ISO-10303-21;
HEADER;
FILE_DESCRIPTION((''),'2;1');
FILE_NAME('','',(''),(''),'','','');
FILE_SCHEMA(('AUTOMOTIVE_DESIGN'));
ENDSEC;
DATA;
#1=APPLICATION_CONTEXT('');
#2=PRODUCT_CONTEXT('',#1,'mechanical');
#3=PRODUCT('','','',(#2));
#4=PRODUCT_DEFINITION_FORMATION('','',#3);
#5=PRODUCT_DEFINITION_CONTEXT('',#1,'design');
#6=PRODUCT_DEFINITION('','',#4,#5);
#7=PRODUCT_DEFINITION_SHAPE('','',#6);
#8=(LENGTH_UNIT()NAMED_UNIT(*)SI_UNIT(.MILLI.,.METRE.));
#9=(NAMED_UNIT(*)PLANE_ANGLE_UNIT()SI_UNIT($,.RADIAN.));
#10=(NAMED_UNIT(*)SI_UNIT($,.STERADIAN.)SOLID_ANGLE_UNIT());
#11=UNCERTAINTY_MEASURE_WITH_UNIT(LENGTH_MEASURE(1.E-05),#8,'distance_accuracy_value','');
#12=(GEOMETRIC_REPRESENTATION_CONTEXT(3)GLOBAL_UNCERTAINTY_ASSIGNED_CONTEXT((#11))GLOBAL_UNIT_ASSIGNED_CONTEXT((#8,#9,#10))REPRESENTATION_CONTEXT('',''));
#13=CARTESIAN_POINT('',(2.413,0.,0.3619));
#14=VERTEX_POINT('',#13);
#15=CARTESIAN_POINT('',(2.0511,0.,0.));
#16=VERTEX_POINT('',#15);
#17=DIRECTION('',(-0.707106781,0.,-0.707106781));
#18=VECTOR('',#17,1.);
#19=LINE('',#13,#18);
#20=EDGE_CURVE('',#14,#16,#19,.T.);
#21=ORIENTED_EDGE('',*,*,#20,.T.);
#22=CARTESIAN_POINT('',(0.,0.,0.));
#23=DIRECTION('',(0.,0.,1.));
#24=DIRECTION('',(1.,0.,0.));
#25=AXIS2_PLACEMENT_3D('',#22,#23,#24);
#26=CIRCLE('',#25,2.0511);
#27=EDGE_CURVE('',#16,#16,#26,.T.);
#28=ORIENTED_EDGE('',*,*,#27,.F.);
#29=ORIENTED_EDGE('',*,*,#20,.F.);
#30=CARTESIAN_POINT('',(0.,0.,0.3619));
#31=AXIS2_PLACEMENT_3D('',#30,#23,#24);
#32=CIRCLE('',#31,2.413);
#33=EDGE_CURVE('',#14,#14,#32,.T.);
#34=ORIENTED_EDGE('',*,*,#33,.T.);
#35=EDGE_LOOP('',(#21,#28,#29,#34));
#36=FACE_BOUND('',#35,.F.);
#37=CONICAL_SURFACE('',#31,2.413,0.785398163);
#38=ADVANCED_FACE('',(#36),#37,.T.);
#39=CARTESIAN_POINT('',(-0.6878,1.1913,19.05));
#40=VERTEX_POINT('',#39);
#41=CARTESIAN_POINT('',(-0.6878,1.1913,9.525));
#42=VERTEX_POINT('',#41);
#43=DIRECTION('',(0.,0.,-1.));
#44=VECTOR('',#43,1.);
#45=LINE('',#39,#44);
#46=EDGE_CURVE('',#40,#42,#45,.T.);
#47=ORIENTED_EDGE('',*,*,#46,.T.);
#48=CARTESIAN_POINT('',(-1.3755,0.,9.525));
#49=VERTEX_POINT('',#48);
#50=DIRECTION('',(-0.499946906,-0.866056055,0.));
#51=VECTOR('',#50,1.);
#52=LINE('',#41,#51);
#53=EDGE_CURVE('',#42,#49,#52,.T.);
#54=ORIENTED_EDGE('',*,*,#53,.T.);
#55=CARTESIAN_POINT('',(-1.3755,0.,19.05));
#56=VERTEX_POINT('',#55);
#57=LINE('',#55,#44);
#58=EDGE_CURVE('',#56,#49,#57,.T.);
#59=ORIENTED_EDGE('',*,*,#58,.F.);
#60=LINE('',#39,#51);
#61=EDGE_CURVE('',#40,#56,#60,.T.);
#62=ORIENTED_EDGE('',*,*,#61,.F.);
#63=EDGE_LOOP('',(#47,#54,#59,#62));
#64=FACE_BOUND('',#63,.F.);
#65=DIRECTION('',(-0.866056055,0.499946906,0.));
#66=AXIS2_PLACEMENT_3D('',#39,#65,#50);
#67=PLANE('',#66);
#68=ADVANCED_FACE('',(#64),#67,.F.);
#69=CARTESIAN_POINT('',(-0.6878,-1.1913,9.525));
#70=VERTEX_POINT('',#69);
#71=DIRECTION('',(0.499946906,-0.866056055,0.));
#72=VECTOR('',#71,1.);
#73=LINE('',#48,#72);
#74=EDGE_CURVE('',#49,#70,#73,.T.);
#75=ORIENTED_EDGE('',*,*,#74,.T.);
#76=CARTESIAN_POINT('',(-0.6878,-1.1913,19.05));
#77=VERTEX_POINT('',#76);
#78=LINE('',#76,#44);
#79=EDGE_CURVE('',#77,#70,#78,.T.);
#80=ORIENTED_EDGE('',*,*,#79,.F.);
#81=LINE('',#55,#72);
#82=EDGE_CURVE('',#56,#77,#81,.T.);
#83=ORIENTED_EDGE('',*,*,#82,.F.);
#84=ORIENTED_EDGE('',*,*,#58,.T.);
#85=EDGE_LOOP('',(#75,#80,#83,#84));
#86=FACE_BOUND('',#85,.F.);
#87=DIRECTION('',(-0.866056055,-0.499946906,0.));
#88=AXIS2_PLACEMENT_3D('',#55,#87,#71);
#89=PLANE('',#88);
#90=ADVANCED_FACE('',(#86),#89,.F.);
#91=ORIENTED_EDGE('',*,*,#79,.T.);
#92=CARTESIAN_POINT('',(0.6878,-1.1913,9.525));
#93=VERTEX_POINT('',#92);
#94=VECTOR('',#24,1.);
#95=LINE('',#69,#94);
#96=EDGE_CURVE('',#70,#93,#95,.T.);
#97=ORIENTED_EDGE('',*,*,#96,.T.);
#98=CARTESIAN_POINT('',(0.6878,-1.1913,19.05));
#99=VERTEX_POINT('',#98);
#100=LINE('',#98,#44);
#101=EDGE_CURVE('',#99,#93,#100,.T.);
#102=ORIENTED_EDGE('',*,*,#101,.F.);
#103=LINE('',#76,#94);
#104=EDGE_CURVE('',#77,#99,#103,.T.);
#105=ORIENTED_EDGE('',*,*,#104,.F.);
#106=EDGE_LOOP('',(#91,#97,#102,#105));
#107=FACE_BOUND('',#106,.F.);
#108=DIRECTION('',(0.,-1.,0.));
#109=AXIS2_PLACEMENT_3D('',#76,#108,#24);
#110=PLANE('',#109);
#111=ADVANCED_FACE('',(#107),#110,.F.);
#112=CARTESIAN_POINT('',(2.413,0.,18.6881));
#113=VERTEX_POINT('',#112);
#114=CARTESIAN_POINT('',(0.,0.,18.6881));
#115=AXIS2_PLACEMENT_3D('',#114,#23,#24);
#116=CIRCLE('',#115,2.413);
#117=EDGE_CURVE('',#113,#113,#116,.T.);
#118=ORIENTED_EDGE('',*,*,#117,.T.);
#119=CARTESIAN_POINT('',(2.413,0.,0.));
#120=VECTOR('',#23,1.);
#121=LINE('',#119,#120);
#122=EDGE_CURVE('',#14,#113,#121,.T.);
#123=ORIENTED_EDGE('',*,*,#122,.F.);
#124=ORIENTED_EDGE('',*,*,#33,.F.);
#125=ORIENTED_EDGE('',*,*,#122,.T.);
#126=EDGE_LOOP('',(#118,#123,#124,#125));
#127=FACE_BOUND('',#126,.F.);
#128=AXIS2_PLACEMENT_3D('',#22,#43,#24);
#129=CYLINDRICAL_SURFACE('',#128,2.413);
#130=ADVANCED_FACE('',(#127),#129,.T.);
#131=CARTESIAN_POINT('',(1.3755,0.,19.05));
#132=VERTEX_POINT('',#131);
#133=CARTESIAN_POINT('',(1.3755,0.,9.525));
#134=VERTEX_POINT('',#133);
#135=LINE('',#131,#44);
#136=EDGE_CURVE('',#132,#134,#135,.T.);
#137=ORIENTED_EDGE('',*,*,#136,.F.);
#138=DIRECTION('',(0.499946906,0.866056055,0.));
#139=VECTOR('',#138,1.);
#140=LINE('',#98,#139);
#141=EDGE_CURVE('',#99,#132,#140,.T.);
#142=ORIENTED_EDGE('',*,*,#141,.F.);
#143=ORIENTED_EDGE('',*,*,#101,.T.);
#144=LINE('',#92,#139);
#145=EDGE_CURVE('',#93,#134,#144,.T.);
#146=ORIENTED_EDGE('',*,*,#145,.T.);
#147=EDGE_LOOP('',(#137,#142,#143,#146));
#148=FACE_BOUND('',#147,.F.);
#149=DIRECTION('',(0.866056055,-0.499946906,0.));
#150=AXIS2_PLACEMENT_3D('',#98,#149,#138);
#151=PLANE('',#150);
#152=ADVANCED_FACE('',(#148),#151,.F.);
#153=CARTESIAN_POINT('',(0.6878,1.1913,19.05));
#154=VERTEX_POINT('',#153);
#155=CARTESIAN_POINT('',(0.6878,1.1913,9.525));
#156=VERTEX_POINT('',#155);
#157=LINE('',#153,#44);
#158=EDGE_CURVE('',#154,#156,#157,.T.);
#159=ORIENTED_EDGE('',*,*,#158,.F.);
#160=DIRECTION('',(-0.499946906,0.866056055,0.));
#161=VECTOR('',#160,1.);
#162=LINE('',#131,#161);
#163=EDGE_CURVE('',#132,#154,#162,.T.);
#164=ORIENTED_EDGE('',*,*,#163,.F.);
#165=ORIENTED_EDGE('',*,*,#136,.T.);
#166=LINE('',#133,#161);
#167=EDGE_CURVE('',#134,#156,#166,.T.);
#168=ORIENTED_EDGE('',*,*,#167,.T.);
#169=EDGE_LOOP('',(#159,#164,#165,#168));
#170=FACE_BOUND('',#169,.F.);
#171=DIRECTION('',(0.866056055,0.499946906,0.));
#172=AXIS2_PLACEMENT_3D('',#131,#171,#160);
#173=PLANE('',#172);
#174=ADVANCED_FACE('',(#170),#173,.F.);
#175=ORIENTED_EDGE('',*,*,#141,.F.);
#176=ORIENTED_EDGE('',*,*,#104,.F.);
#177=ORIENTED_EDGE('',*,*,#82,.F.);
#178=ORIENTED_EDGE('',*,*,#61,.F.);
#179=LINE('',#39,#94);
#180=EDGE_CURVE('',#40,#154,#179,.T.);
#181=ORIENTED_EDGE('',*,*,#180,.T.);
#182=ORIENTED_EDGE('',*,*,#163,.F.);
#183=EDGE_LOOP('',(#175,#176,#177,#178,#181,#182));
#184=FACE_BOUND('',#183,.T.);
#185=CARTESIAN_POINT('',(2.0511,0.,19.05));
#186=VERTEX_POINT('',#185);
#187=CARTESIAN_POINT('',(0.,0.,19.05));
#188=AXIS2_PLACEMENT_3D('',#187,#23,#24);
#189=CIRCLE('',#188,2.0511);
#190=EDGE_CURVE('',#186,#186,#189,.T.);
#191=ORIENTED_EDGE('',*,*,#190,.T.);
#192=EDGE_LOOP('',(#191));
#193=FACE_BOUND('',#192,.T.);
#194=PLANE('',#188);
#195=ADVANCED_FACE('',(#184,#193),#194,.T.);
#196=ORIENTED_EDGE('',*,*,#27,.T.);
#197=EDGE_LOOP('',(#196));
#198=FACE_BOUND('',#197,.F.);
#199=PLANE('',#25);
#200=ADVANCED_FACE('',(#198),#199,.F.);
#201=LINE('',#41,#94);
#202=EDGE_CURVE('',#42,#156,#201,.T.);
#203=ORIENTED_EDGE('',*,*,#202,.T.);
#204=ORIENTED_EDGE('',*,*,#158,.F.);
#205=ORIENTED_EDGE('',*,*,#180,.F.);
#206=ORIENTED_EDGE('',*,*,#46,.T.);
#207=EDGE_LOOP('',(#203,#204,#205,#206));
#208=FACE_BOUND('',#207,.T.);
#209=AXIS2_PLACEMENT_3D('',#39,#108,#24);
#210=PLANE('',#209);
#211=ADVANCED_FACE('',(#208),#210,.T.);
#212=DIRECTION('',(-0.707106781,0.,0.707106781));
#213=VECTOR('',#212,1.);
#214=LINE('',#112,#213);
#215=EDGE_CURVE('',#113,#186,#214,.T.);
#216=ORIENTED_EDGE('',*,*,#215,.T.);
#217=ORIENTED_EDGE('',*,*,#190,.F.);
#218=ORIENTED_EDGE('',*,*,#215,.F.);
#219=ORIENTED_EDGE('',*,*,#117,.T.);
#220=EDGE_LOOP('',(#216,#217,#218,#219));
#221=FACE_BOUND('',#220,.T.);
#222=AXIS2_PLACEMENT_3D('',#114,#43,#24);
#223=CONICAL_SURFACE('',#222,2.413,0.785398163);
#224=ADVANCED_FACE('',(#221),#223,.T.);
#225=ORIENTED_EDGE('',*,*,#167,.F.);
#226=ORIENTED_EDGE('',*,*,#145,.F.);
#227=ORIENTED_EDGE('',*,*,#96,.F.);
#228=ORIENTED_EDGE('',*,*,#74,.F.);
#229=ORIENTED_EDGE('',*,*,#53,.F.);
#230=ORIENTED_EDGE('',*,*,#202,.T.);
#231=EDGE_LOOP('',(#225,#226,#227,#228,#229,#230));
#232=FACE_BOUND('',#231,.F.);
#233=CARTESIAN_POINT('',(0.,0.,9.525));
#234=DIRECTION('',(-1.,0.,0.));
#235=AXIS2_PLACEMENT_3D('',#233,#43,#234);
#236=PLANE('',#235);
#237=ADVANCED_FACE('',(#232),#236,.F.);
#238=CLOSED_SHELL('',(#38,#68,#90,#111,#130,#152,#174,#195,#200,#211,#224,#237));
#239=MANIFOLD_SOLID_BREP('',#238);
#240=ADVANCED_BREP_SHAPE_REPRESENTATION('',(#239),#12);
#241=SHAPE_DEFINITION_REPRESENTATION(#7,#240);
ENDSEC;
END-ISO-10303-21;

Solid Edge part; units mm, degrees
sketch "Sketch1" plane through (0, 0, 0) normal (0, 0, 1) x (1, 0, 0)
  circle A0 centre (0, 0) radius 2.413
  dimension "D1" = 4.826
extrude "Protrusion1" add sketch "Sketch1" along normal blind 19.05
chamfer "Chamfer1" distance 0.3619 angle 45 2 edges at (-2.413, 0, 0) (-2.413, 0, 19.05)
sketch "Sketch2" plane through (0, 0, 19.05) normal (0, 0, 1) x (1, 0, 0)
  line L0 (-0.6878, 1.1913) -> (0.6878, 1.1913)
  line L1 (1.3755, 0) -> (0.6878, 1.1913)
  line L2 (0.6878, -1.1913) -> (1.3755, 0)
  line L3 (-0.6878, -1.1913) -> (0.6878, -1.1913)
  line L4 (-1.3755, 0) -> (-0.6878, -1.1913)
  line L5 (-0.6878, 1.1913) -> (-1.3755, 0)
  dimension "D1" = 2.3825
extrude "Cutout1" cut sketch "Sketch2" against normal blind 9.525
properties part number "24101738"
